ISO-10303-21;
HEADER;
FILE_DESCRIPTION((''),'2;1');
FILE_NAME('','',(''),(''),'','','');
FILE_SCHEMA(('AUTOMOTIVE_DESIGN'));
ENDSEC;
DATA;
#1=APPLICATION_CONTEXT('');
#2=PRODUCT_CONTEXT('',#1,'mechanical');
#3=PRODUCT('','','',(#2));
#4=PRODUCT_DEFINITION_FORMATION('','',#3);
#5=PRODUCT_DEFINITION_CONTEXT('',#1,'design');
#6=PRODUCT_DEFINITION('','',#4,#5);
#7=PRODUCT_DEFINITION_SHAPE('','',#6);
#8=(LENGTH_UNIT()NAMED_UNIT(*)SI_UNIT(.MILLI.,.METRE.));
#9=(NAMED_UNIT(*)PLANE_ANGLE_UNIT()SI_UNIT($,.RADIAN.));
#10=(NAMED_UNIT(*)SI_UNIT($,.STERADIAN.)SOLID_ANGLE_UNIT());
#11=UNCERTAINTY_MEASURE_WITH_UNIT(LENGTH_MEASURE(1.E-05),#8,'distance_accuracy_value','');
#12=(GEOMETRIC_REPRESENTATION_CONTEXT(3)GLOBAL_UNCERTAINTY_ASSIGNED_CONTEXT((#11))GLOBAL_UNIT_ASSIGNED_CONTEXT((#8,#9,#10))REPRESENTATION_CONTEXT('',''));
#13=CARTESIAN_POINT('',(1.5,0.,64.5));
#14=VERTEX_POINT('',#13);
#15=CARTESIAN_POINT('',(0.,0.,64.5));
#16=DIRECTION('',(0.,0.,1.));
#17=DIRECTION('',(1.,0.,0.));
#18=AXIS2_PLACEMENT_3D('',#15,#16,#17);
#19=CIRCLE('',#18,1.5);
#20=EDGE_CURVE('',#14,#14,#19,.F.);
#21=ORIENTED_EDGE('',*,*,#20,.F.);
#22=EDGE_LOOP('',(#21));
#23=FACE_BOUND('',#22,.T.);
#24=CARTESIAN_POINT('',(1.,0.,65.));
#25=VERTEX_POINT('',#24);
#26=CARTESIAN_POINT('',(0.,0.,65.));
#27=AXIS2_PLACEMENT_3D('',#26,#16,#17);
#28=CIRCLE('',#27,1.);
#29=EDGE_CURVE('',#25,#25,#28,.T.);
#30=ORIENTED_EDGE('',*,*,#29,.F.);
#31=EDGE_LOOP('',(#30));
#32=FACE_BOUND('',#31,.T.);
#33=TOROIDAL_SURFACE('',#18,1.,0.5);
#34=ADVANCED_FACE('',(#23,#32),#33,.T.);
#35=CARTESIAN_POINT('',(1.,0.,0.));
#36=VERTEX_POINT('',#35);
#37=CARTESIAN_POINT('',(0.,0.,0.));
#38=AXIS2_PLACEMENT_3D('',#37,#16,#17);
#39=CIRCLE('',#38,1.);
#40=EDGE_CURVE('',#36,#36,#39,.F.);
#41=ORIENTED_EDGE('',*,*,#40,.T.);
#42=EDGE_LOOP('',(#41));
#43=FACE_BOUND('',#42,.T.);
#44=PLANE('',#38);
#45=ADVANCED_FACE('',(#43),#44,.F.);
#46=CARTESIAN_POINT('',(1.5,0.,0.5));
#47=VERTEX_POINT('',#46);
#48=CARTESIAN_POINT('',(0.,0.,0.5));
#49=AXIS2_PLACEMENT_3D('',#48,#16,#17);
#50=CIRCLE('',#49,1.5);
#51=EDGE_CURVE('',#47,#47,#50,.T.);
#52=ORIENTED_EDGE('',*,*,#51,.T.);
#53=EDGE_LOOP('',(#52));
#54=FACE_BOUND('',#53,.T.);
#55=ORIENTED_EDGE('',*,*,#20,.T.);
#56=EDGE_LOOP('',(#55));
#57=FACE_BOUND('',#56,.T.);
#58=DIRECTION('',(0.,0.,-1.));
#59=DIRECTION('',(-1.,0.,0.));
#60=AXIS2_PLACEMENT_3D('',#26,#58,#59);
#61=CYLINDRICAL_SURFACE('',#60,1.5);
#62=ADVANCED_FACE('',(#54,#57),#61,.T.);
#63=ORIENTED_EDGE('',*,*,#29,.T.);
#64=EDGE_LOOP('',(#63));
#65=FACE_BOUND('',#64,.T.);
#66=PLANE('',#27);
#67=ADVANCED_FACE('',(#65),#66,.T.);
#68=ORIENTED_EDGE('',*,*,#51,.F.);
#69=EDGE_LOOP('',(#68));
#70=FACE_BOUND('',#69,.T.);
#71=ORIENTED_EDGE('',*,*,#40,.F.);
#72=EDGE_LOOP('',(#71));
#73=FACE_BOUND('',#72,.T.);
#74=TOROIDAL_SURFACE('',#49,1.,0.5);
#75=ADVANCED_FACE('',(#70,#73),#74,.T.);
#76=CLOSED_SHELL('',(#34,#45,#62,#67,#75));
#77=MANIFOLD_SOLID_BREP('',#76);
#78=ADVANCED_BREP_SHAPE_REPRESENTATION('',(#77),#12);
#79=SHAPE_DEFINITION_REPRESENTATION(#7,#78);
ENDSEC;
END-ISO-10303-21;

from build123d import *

# Parameters (mm, degrees)
SCHIZZO1_R                   = 1.5
ESTRUSIONE_ESTRUSIONE1_DEPTH = 65
RACCORDO1_R                  = 0.5


with BuildPart() as part:
    # Schizzo1 → Estrusione-Estrusione1 (new body)
    with BuildSketch(Plane.XY):
        Circle(SCHIZZO1_R)
    extrude(amount=ESTRUSIONE_ESTRUSIONE1_DEPTH)

    # Raccordo1
    raccordo1_edges = [part.edges().sort_by_distance(p)[0] for p in [
        (-1.5, 0, 0),
        (-1.5, 0, 65),
    ]]
    fillet(raccordo1_edges, radius=RACCORDO1_R)


solid = part.part
